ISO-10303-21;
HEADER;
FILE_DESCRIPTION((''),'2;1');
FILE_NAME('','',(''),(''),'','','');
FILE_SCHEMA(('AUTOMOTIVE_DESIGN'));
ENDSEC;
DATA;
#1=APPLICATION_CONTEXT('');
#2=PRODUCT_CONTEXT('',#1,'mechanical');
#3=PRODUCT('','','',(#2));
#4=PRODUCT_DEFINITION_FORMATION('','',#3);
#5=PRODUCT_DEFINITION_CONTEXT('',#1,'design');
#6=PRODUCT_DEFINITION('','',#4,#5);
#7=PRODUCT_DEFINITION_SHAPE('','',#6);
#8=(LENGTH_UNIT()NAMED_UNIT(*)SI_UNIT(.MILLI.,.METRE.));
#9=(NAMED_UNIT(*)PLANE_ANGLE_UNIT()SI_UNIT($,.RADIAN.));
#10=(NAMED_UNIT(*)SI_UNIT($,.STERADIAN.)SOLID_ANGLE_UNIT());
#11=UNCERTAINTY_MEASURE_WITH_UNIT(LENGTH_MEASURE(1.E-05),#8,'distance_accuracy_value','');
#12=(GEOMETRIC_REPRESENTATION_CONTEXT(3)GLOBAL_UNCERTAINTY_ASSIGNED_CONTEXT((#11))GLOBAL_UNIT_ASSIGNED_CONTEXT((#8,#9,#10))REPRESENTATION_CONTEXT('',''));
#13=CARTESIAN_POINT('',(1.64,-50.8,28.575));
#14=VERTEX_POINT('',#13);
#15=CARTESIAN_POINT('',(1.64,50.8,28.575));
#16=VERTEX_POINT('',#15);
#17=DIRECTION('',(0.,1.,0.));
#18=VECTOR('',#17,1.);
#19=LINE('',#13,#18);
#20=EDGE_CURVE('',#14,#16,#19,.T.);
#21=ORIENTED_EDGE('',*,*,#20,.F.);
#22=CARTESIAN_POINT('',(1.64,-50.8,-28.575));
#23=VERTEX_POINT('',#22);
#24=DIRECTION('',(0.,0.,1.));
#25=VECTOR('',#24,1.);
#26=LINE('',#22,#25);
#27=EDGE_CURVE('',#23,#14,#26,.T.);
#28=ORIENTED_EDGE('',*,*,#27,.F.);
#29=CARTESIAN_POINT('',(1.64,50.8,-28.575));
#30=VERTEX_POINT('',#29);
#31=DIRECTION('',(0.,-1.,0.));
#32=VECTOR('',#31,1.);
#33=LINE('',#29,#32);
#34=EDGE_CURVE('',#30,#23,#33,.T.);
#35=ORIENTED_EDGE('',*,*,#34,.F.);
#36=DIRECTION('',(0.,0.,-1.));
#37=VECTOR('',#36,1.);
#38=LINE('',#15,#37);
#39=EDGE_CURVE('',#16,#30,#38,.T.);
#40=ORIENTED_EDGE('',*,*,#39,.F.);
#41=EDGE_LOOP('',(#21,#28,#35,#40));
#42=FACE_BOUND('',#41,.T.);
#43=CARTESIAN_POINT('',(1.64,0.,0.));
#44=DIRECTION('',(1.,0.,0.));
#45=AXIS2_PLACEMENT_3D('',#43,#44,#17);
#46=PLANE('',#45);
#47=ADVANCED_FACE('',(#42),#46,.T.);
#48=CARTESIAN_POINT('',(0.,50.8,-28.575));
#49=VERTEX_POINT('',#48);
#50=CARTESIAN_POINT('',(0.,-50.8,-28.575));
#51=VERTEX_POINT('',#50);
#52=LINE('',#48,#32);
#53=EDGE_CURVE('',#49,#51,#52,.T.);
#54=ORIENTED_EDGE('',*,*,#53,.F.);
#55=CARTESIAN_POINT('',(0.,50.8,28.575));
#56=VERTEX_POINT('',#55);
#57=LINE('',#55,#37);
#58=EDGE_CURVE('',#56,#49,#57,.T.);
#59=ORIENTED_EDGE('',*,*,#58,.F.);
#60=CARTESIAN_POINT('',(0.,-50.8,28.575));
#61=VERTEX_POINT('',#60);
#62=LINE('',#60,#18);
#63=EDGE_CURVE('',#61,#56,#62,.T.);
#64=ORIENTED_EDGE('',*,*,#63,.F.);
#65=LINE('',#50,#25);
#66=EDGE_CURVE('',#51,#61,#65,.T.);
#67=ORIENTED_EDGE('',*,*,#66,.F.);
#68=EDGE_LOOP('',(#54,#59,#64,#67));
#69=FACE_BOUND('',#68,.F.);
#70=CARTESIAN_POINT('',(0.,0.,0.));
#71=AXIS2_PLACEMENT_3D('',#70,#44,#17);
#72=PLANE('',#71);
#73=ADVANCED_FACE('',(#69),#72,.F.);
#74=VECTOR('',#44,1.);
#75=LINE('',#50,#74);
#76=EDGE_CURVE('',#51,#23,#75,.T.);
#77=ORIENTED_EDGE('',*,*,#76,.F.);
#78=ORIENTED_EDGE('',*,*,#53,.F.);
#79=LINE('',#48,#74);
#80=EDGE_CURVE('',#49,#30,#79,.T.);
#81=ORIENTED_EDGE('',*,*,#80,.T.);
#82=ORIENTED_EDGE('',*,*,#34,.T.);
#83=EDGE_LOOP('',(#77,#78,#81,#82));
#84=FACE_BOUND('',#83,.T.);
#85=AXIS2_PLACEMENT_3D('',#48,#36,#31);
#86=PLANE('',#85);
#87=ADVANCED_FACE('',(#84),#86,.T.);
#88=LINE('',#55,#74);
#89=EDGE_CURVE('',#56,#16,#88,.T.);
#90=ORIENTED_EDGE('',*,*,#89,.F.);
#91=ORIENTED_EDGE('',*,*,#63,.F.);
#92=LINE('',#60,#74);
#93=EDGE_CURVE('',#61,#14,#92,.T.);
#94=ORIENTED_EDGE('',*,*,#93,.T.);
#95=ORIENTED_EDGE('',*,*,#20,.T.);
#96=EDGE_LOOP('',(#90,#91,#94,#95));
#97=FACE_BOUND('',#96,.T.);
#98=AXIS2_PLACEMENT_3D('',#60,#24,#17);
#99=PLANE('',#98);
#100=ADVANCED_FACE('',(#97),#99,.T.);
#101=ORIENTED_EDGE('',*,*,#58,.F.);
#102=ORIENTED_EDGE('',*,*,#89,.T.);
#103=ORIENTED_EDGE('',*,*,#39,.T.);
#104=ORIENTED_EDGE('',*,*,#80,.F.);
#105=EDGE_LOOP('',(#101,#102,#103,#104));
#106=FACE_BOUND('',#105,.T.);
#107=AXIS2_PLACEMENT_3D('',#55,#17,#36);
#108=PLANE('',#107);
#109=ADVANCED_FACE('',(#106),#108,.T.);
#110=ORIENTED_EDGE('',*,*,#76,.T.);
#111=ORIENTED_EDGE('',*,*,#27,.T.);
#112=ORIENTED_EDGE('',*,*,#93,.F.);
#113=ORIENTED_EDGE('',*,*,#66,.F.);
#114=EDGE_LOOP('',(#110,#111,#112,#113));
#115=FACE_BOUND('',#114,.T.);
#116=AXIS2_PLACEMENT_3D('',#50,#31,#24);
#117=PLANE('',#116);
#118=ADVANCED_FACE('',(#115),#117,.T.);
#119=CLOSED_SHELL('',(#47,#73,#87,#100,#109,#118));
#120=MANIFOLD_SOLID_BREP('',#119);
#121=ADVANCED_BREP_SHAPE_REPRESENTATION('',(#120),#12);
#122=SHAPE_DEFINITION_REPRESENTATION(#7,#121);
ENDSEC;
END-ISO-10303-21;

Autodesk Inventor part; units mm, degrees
ref_plane "YZ Plane" through (0, 0, 0) normal (1, 0, 0) x (0, 1, 0)
ref_plane "XZ Plane" through (0, 0, 0) normal (0, 1, 0) x (-1, 0, 0)
ref_plane "XY Plane" through (0, 0, 0) normal (0, 0, 1) x (1, 0, 0)
sketch "Sketch1" plane through (0, 0, 0) normal (1, 0, 0) x (0, 1, 0)
  line L0 (-50.8, 28.575) -> (50.8, 28.575)
  line L1 (50.8, 28.575) -> (50.8, -28.575)
  line L2 (50.8, -28.575) -> (-50.8, -28.575)
  line L3 (-50.8, -28.575) -> (-50.8, 28.575)
  line L4 (-50.8, 0) -> (50.8, 0) construction
  line L5 (0, 28.575) -> (0, -28.575) construction
  point P0 (0, 0)
  dimension "d0" = 101.6
  dimension "d2" = 57.15
extrude "Extrusion1" add sketch "Sketch1" along normal blind 1.64
properties part number "PowerPCB01" material "PCB"
